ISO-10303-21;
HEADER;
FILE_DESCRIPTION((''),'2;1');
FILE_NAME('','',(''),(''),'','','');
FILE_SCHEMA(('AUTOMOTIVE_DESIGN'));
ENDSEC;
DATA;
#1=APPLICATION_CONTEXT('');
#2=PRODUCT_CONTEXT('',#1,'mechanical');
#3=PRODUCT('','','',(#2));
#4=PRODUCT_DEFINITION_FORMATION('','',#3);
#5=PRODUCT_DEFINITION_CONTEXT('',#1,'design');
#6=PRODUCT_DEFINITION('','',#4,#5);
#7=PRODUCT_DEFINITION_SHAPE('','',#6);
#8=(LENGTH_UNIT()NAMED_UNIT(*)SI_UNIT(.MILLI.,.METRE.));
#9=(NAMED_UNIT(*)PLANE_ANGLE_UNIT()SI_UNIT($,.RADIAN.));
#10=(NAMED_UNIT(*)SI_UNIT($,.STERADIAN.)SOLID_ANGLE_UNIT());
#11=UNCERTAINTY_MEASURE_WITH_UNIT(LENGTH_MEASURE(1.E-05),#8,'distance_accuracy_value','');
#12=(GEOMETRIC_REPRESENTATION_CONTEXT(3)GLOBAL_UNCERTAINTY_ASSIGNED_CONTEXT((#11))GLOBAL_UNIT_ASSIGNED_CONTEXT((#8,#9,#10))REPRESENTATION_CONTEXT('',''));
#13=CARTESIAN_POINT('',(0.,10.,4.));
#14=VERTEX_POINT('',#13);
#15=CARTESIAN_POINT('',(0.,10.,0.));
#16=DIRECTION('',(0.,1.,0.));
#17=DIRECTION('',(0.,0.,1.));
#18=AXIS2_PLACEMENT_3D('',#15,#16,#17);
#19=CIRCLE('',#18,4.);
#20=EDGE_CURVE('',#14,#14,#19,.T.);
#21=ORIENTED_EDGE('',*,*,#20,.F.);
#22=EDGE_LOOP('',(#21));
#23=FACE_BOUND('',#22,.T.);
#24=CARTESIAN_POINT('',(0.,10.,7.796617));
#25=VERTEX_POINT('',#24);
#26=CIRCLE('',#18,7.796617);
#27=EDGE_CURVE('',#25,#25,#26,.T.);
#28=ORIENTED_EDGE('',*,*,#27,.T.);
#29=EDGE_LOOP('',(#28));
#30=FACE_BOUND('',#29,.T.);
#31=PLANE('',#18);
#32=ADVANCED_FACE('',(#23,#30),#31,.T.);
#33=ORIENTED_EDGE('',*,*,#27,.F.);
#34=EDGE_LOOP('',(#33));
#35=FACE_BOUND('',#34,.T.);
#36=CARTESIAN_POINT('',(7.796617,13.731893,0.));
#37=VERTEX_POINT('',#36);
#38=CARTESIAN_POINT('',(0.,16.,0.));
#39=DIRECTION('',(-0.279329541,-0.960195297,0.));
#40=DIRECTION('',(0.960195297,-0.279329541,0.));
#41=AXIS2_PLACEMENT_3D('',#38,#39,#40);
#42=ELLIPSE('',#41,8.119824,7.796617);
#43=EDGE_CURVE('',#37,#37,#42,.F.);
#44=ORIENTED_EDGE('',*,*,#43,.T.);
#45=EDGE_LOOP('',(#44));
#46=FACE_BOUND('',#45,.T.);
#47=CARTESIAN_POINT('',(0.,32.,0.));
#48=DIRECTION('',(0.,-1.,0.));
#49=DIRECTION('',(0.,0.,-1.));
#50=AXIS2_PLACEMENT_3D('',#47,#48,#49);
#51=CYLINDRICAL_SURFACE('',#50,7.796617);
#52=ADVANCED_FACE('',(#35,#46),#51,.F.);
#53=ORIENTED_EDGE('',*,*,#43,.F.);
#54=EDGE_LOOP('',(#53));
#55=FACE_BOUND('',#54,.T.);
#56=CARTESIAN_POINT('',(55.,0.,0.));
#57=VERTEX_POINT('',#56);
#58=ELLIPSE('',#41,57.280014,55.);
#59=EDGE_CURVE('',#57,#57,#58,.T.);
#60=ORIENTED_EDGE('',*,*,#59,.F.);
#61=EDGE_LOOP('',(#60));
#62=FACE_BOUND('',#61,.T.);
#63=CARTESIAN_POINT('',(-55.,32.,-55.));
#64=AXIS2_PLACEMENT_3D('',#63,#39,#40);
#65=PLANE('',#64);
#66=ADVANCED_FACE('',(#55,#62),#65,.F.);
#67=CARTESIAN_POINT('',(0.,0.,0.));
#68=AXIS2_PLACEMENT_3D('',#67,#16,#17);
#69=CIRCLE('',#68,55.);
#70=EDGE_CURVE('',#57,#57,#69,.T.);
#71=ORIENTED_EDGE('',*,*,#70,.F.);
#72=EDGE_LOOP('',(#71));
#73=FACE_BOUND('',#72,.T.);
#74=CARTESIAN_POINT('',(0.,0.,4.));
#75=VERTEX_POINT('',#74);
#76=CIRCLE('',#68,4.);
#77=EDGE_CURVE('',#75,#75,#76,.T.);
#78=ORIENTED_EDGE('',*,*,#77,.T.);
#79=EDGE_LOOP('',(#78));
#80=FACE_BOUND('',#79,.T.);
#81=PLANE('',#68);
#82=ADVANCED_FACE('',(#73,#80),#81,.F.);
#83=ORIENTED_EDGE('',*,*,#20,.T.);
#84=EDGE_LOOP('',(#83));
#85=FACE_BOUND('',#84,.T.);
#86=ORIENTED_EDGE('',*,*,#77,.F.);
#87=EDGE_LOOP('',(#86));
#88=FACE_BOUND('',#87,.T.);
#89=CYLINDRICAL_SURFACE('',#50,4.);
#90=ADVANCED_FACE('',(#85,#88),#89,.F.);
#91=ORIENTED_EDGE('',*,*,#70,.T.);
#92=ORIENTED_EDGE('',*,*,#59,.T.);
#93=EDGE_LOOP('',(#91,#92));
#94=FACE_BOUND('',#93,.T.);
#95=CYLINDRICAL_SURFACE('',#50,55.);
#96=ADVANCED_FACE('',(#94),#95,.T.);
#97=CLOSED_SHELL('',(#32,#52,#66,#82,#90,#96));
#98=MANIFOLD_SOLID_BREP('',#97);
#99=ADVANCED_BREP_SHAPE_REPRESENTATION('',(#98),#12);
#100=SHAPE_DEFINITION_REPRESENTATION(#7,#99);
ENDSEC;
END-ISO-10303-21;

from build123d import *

# Parameters (mm, degrees)
SKETCH1_R               = 55
SKETCH1_R_2             = 4
BOSS_EXTRUDE1_DEPTH     = 32
CUT_EXTRUDE1_DEPTH      = 56
CUT_EXTRUDE1_DEPTH_BACK = 56
SKETCH4_R               = 7.796617101
CUT_EXTRUDE2_DEPTH      = 23


with BuildPart() as part:
    # Sketch1 → Boss-Extrude1 (new body)
    with BuildSketch(Plane(origin=(0, 0, 0), x_dir=(1, 0, 0), z_dir=(0, 1, 0))):
        Circle(SKETCH1_R)
        Circle(SKETCH1_R_2, mode=Mode.SUBTRACT)
    extrude(amount=BOSS_EXTRUDE1_DEPTH)

    # Sketch3 → Cut-Extrude1 (cut, two sides)
    with BuildSketch(Plane.XY) as cut_extrude1_sk:
        Polygon((55, 0), (55, 32), (-55, 32), align=None)
    extrude(amount=CUT_EXTRUDE1_DEPTH, mode=Mode.SUBTRACT)
    extrude(cut_extrude1_sk.sketch, amount=-CUT_EXTRUDE1_DEPTH_BACK, mode=Mode.SUBTRACT)

    # Sketch4 → Cut-Extrude2 (cut, through all)
    with BuildSketch(Plane(origin=(0, 10, 0), x_dir=(1, 0, 0), z_dir=(0, 1, 0))):
        Circle(SKETCH4_R)
    extrude(amount=CUT_EXTRUDE2_DEPTH, mode=Mode.SUBTRACT)


solid = part.part
